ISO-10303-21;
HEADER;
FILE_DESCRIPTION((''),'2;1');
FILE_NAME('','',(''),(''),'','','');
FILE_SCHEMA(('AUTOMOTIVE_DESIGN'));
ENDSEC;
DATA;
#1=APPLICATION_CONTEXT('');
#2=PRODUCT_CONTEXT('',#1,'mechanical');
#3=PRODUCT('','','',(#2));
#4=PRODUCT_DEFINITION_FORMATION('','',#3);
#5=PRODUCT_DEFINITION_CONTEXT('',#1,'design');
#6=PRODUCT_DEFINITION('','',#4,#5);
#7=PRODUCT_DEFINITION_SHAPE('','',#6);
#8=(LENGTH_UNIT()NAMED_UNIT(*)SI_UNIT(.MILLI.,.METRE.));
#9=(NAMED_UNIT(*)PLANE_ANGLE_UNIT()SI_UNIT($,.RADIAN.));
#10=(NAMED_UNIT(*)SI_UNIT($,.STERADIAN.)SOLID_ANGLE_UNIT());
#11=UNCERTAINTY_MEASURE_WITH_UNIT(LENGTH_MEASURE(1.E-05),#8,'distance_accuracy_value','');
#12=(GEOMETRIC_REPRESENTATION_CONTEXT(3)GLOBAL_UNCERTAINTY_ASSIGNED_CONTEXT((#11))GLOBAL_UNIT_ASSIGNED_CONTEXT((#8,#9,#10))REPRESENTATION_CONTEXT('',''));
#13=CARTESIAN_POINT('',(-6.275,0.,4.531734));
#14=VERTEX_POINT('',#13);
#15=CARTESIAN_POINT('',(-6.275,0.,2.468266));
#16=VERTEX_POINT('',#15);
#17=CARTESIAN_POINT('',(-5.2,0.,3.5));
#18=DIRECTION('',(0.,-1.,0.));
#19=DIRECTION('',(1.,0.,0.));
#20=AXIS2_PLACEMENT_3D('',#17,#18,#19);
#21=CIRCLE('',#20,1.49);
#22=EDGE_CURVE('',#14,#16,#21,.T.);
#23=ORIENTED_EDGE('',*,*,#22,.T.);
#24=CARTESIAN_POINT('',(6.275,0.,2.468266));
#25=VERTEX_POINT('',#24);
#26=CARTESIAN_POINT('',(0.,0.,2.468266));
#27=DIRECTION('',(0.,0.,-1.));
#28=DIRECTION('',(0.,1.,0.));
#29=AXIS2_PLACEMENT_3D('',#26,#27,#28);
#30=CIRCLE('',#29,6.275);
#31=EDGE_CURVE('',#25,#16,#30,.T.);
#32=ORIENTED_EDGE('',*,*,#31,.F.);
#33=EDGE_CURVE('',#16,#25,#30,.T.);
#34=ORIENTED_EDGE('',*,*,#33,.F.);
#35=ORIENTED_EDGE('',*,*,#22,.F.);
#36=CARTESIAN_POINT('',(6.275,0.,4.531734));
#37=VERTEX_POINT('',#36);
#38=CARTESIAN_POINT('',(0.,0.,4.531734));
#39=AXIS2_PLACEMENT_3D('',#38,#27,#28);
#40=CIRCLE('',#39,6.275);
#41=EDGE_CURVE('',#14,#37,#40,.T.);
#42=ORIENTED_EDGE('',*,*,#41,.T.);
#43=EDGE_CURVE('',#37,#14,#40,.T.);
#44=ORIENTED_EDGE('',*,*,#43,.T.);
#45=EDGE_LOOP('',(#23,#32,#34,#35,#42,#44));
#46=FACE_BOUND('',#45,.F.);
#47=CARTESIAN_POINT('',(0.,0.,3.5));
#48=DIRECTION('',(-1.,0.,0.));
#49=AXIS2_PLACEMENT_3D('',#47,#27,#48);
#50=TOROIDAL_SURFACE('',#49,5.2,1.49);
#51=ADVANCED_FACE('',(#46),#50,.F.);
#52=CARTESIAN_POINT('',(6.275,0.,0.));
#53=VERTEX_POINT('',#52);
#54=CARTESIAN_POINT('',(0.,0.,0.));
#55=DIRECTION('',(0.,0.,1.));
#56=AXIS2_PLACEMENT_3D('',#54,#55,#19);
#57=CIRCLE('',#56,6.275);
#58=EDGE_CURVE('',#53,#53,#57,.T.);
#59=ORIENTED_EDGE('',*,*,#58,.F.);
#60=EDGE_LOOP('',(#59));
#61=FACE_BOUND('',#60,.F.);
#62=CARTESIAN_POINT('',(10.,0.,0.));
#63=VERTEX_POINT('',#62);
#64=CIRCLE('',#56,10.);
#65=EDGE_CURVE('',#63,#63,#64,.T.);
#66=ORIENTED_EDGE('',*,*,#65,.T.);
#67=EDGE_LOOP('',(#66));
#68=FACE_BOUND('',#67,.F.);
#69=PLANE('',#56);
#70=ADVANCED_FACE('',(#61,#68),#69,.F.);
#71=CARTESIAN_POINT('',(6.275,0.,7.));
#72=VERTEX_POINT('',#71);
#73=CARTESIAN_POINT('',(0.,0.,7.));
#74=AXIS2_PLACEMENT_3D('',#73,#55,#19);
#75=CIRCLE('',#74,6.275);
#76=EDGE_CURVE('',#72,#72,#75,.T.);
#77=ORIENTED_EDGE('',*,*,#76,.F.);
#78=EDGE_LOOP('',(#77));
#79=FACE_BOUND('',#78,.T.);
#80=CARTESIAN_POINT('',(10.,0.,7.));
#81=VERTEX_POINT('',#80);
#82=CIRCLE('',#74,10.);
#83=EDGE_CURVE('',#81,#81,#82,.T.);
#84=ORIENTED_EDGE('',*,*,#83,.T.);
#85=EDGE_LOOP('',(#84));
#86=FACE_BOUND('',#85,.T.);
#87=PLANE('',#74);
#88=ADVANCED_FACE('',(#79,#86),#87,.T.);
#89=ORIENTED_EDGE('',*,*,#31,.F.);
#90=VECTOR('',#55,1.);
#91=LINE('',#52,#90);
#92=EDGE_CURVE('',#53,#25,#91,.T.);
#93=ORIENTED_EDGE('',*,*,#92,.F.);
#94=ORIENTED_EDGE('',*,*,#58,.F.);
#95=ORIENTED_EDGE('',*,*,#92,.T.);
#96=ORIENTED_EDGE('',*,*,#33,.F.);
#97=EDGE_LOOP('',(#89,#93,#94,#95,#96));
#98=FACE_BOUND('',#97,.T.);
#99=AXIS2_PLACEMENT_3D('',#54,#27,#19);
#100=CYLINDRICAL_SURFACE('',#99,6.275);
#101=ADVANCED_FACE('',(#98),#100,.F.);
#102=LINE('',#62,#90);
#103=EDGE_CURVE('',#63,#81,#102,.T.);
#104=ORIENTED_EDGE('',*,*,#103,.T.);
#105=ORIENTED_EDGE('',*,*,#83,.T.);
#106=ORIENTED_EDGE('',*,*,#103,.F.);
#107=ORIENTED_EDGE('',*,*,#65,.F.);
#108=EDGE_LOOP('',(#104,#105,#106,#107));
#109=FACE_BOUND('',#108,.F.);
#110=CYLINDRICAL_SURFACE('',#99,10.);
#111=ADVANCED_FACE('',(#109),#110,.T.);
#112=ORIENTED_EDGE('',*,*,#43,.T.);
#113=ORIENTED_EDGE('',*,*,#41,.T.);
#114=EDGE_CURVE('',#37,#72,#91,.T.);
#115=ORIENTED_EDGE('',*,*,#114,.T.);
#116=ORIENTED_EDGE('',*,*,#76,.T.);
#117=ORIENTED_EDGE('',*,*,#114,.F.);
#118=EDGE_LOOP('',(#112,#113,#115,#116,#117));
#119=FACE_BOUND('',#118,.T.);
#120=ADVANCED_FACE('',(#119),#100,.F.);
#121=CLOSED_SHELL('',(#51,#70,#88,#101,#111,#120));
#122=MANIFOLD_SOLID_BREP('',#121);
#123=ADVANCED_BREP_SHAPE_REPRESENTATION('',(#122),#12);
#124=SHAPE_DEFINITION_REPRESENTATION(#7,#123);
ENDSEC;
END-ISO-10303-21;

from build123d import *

# Parameters (mm, degrees)
F0_R     = 10
F0_R_2   = 6.275
F1_DEPTH = 7
F2_R     = 1.49


with BuildPart() as f1:
    # F0 (on Top) → F1 (new body)
    with BuildSketch(Plane.XY):
        Circle(F0_R)
        Circle(F0_R_2, mode=Mode.SUBTRACT)
    extrude(amount=F1_DEPTH)

    # F2 (on Front) → F3 (revolve, cut)
    with BuildSketch(Plane.XZ):
        with Locations((-5.2, 3.5)):
            Circle(F2_R)
    revolve(axis=Axis((0, 0, 3.430298), (0, 0, -1)), mode=Mode.SUBTRACT)


solid = f1.part
